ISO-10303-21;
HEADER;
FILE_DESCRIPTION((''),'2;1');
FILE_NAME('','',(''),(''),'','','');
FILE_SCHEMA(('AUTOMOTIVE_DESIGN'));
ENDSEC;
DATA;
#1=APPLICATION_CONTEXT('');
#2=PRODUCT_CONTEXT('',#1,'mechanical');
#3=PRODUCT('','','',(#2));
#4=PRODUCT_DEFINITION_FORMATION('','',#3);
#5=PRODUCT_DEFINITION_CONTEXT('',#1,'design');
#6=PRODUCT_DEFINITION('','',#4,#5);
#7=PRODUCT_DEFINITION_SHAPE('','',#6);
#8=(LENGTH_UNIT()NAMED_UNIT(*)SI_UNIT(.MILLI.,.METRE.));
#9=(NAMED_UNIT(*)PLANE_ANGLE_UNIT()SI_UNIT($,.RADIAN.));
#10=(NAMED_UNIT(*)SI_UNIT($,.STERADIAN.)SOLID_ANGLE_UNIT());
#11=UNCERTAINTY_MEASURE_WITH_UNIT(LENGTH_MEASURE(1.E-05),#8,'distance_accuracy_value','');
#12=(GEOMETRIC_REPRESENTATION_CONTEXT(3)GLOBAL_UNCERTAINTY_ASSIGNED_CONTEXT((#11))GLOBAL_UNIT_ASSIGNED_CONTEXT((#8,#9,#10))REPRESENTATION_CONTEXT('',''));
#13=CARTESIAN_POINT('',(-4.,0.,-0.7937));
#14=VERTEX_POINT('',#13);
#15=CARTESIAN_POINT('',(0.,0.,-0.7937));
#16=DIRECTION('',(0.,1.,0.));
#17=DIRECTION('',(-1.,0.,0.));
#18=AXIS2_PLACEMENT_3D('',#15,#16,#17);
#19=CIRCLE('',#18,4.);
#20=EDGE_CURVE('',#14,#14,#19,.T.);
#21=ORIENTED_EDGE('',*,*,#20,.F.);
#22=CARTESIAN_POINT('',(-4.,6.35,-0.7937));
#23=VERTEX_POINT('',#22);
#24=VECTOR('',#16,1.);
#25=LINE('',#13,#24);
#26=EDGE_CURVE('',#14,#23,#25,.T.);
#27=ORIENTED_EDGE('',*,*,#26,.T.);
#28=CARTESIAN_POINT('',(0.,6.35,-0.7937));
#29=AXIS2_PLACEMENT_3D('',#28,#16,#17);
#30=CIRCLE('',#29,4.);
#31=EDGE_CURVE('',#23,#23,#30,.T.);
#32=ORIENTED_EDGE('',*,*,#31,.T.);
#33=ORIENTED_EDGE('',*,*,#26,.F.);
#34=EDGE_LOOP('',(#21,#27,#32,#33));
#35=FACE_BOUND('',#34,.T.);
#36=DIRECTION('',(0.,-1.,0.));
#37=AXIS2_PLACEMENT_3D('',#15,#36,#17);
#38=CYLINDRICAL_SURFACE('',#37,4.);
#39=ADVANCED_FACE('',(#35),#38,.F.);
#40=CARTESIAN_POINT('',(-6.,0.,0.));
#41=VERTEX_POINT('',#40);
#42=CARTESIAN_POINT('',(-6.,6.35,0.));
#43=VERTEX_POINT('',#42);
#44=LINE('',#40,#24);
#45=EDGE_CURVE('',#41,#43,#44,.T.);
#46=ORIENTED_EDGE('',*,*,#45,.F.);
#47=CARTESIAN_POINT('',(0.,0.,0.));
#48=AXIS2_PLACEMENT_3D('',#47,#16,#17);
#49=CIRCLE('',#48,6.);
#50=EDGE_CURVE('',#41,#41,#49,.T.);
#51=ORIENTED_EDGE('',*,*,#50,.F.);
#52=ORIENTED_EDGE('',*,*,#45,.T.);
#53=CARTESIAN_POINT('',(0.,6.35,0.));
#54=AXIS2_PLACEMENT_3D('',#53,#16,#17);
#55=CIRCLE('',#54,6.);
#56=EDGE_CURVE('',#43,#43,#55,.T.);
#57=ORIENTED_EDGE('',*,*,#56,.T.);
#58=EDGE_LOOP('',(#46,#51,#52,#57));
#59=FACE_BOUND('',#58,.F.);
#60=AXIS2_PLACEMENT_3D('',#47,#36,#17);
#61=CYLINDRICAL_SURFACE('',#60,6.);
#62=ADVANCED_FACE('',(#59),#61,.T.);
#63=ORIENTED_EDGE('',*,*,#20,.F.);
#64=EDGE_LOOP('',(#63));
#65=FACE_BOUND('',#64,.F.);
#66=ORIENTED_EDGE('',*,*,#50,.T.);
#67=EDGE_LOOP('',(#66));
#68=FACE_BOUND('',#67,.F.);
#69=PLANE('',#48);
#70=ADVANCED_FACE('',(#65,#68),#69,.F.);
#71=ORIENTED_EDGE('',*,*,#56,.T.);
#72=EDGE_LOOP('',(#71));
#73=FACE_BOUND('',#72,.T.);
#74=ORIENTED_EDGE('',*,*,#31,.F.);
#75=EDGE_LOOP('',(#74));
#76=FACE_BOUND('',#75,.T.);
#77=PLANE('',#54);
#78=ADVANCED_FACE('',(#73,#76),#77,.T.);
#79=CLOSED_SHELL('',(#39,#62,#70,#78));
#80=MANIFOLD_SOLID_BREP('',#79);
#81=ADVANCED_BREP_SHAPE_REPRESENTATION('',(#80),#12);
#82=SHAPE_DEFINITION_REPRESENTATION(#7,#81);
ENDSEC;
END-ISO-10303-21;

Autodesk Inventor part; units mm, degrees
ref_plane "YZ Plane" through (0, 0, 0) normal (1, 0, 0) x (0, 1, 0)
ref_plane "XZ Plane" through (0, 0, 0) normal (0, 1, 0) x (-1, 0, 0)
ref_plane "XY Plane" through (0, 0, 0) normal (0, 0, 1) x (1, 0, 0)
sketch "Sketch1" plane through (0, 0, 0) normal (0, 1, 0) x (-1, 0, 0)
  circle A0 centre (0, 0) radius 6
  circle A1 centre (0, -0.7937) radius 4
  dimension "d0" = 12
  dimension "d1" = 8
  dimension "d2" = 0.7937
extrude "Extrusion1" add sketch "Sketch1" along normal blind 6.35
properties part number "eccentric"
